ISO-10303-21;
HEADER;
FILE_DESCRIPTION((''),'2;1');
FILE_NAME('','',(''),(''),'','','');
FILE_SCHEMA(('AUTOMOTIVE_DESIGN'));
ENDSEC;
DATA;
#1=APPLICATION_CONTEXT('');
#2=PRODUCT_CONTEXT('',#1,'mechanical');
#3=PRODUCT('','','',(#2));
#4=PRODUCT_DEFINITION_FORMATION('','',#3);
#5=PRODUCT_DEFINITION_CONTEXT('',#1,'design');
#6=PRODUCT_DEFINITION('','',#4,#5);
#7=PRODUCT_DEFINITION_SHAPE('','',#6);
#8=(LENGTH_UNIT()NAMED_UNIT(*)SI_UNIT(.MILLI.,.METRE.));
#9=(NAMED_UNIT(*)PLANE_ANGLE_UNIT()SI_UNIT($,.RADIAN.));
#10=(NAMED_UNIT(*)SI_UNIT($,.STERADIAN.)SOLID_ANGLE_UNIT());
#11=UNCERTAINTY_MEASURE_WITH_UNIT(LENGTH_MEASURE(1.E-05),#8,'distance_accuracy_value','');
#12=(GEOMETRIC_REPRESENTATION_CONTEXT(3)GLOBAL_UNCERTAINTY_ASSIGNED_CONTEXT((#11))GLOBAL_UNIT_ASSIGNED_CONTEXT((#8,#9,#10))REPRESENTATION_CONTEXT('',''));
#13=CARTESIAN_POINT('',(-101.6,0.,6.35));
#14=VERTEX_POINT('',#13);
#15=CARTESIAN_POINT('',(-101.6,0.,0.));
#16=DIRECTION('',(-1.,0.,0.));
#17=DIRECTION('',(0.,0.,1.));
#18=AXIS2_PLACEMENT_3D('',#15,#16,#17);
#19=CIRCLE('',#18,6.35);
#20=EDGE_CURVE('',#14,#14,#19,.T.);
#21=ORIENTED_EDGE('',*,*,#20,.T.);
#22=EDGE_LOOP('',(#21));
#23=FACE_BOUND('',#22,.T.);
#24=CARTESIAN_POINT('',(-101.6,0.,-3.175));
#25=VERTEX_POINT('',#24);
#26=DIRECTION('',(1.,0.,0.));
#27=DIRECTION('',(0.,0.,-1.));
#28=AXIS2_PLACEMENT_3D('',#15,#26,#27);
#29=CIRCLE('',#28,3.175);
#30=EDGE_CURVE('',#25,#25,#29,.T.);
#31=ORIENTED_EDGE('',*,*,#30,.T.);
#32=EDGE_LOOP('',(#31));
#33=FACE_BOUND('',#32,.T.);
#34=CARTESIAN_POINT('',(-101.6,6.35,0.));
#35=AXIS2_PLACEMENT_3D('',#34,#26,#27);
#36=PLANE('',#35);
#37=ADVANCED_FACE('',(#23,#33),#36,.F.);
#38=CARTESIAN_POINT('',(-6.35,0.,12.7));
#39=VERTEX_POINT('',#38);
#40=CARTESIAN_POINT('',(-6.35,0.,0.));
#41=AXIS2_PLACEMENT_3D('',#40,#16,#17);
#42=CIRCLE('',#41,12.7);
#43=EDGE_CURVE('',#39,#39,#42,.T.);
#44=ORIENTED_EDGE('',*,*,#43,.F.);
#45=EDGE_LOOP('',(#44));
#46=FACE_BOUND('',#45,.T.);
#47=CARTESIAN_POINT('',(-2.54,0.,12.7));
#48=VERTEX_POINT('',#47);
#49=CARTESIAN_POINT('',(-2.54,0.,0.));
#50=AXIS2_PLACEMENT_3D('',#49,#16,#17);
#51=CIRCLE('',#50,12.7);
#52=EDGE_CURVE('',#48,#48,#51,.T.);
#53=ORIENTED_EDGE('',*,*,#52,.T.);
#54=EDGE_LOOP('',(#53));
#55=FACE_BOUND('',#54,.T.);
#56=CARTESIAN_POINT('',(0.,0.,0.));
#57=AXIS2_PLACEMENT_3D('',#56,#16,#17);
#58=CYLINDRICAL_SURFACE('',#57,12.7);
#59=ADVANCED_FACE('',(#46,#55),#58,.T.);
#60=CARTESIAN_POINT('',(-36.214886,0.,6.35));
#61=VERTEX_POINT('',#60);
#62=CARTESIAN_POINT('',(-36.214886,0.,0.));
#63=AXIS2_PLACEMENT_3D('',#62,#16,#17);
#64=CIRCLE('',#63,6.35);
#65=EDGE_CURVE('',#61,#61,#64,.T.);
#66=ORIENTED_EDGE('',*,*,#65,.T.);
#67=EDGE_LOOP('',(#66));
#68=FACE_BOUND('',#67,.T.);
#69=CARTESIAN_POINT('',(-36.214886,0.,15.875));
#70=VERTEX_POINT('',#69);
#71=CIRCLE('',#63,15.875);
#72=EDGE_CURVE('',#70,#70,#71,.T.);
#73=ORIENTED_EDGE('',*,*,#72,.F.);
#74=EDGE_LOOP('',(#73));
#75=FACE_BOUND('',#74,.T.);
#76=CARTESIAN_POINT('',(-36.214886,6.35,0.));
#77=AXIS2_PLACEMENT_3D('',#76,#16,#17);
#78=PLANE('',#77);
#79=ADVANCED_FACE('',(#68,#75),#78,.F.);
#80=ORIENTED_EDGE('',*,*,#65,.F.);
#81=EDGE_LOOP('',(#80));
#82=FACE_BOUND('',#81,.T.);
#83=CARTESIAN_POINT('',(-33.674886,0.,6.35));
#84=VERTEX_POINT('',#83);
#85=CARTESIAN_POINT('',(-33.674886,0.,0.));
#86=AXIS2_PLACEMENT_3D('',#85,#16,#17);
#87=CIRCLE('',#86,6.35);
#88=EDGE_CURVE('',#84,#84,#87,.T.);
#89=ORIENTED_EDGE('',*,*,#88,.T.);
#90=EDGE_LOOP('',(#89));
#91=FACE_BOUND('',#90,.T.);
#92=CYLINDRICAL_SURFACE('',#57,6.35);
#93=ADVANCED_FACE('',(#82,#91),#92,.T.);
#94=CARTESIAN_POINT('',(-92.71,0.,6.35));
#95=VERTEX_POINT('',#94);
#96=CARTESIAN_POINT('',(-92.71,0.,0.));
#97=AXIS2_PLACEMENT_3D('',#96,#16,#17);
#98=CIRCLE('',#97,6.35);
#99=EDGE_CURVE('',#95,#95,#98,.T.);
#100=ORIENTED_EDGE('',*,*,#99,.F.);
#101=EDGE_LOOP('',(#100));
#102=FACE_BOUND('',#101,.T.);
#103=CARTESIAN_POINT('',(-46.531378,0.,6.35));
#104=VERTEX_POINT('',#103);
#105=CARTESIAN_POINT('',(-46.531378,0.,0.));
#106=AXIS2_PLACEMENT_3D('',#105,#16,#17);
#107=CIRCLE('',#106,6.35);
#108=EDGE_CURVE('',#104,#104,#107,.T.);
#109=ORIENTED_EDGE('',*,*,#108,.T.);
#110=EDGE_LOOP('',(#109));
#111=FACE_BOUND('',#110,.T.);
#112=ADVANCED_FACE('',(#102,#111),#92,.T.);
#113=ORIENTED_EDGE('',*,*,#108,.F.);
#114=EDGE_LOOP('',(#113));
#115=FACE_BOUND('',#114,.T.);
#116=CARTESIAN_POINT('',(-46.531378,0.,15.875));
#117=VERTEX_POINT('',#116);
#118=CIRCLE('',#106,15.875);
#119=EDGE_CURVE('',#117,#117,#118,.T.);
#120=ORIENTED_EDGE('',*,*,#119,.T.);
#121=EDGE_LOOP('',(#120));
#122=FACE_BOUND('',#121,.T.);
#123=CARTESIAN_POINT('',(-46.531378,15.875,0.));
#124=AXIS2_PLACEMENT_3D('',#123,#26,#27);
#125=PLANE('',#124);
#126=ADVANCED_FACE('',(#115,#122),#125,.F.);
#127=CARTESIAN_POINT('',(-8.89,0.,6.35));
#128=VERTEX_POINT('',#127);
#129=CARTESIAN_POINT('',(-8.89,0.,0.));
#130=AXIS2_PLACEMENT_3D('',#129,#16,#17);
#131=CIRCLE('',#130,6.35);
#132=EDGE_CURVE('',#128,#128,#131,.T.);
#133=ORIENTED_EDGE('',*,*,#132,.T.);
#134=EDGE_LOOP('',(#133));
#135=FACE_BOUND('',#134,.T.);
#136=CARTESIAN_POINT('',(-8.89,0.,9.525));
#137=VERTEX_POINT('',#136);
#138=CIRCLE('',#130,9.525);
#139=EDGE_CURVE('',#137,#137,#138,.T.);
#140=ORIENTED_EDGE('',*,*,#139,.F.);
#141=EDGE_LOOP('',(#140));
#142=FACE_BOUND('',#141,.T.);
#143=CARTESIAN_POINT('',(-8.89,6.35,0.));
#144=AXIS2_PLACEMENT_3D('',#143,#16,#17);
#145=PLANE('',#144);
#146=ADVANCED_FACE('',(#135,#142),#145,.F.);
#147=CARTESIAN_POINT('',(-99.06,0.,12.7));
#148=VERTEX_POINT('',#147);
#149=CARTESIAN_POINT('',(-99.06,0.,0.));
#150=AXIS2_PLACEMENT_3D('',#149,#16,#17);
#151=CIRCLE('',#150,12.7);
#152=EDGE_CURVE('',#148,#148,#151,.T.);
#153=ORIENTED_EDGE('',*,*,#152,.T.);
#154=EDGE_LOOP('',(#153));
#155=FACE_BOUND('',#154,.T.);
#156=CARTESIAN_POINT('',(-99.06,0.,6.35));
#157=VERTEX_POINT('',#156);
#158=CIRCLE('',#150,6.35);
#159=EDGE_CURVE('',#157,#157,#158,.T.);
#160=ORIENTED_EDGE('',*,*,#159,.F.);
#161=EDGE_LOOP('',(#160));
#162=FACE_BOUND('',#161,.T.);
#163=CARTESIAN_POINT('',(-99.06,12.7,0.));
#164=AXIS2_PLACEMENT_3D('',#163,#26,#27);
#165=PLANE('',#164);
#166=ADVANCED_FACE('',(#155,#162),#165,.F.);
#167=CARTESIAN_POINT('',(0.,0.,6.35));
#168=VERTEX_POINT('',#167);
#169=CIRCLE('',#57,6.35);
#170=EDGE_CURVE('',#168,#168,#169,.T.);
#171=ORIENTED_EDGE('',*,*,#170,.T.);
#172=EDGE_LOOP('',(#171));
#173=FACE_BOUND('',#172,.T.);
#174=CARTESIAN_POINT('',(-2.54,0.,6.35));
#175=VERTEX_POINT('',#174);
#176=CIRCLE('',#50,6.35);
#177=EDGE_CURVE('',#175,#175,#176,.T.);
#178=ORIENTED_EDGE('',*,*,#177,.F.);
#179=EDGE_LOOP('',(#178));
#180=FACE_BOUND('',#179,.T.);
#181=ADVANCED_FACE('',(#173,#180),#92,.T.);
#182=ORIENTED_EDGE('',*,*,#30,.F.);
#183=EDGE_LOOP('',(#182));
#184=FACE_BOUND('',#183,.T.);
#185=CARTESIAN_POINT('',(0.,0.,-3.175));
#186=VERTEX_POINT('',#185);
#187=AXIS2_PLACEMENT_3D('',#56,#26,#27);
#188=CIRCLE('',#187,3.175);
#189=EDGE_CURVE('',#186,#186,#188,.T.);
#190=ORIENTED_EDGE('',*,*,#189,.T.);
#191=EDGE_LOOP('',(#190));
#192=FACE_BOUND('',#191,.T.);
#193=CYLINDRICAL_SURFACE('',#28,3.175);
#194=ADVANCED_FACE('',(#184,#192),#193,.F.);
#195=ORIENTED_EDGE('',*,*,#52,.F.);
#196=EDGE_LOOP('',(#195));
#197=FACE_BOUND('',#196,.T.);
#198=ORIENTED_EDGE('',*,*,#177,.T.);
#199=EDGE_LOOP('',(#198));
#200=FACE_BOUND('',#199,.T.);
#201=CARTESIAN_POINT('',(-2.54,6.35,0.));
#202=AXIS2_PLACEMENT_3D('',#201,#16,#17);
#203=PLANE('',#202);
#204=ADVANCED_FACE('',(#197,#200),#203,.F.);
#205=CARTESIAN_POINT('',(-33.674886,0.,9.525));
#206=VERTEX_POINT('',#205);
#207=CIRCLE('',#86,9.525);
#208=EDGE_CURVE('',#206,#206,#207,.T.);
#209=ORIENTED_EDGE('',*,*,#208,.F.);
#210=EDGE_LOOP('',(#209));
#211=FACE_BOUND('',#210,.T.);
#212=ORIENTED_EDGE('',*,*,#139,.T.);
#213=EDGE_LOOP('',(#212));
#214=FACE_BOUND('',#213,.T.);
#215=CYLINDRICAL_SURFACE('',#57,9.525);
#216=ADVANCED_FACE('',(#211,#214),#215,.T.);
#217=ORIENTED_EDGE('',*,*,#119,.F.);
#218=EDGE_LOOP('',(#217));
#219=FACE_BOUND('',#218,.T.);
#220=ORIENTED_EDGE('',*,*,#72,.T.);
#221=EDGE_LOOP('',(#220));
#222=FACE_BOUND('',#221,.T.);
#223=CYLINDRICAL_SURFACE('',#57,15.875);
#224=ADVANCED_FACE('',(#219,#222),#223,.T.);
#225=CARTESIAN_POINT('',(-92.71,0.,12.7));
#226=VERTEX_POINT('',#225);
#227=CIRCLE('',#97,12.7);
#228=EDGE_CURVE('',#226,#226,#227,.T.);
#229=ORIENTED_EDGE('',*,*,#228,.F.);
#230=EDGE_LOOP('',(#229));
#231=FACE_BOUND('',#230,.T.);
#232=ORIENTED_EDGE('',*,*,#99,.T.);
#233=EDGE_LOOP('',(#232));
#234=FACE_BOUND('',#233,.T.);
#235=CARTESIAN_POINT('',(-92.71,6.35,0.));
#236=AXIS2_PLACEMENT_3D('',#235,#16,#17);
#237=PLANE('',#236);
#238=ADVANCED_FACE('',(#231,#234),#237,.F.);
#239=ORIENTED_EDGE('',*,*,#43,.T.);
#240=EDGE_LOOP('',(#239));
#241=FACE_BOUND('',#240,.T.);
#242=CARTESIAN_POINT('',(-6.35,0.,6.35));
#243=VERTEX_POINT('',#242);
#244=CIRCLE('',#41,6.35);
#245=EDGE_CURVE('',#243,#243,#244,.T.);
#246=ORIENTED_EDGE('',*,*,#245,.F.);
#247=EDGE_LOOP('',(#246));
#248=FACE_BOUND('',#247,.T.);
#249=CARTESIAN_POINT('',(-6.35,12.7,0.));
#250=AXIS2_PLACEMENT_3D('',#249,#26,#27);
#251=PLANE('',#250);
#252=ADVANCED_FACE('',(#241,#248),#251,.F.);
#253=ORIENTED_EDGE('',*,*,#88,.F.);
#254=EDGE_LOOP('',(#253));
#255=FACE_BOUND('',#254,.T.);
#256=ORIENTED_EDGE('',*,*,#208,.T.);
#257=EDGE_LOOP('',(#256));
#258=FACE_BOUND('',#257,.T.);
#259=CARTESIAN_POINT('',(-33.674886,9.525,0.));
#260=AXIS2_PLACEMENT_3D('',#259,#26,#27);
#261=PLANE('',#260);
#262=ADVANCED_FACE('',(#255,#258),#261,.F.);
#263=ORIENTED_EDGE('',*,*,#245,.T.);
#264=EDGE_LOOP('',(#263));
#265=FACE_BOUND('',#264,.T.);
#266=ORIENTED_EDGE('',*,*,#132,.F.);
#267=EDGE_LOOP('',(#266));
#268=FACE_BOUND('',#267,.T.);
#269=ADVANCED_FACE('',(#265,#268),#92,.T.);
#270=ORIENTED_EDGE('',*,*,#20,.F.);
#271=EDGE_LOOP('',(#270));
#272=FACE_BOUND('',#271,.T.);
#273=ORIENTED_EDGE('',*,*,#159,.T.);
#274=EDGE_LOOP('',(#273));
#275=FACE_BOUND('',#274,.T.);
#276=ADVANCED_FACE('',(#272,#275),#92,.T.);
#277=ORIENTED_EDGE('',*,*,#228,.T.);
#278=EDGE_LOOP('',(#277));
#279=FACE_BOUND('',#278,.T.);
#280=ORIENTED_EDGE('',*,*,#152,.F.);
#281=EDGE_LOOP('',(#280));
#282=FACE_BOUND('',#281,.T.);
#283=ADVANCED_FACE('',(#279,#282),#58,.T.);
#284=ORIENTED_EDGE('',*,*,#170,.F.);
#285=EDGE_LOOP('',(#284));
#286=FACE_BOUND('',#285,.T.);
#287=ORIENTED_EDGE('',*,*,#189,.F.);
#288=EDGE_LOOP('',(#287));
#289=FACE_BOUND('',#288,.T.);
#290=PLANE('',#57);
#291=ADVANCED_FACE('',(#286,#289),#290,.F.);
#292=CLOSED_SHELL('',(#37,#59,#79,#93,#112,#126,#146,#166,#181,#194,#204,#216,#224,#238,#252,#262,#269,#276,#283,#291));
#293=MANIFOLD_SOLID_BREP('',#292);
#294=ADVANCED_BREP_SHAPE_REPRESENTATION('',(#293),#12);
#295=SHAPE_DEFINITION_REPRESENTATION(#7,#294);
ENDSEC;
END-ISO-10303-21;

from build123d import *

# Parameters (mm, degrees)
SKETCH2_R               = 3.175
CUT_EXTRUDE1_DEPTH      = 1
CUT_EXTRUDE1_DEPTH_BACK = 102.6


with BuildPart() as part:
    # Sketch1 → Revolve1 (revolve)
    with BuildSketch(Plane.XY):
        Polygon((0, 0), (0, 6.35), (-2.54, 6.35), (-2.54, 12.7), (-6.35, 12.7), (-6.35, 6.35), (-8.89, 6.35), (-8.89, 9.525), (-33.67488639, 9.525), (-33.67488639, 6.35), (-36.21488639, 6.35), (-36.21488639, 15.875), (-46.531378447, 15.875), (-46.531378447, 6.35), (-92.71, 6.35), (-92.71, 12.7), (-99.06, 12.7), (-99.06, 6.35), (-101.6, 6.35), (-101.6, 0), align=None)
    revolve(axis=Axis((0, 0, 0), (1, 0, 0)))

    # Sketch2 → Cut-Extrude1 (cut, two sides)
    with BuildSketch(Plane(origin=(0, 0, 0), x_dir=(0, 0, -1), z_dir=(1, 0, 0))) as cut_extrude1_sk:
        Circle(SKETCH2_R)
    extrude(amount=CUT_EXTRUDE1_DEPTH, mode=Mode.SUBTRACT)
    extrude(cut_extrude1_sk.sketch, amount=-CUT_EXTRUDE1_DEPTH_BACK, mode=Mode.SUBTRACT)


solid = part.part
